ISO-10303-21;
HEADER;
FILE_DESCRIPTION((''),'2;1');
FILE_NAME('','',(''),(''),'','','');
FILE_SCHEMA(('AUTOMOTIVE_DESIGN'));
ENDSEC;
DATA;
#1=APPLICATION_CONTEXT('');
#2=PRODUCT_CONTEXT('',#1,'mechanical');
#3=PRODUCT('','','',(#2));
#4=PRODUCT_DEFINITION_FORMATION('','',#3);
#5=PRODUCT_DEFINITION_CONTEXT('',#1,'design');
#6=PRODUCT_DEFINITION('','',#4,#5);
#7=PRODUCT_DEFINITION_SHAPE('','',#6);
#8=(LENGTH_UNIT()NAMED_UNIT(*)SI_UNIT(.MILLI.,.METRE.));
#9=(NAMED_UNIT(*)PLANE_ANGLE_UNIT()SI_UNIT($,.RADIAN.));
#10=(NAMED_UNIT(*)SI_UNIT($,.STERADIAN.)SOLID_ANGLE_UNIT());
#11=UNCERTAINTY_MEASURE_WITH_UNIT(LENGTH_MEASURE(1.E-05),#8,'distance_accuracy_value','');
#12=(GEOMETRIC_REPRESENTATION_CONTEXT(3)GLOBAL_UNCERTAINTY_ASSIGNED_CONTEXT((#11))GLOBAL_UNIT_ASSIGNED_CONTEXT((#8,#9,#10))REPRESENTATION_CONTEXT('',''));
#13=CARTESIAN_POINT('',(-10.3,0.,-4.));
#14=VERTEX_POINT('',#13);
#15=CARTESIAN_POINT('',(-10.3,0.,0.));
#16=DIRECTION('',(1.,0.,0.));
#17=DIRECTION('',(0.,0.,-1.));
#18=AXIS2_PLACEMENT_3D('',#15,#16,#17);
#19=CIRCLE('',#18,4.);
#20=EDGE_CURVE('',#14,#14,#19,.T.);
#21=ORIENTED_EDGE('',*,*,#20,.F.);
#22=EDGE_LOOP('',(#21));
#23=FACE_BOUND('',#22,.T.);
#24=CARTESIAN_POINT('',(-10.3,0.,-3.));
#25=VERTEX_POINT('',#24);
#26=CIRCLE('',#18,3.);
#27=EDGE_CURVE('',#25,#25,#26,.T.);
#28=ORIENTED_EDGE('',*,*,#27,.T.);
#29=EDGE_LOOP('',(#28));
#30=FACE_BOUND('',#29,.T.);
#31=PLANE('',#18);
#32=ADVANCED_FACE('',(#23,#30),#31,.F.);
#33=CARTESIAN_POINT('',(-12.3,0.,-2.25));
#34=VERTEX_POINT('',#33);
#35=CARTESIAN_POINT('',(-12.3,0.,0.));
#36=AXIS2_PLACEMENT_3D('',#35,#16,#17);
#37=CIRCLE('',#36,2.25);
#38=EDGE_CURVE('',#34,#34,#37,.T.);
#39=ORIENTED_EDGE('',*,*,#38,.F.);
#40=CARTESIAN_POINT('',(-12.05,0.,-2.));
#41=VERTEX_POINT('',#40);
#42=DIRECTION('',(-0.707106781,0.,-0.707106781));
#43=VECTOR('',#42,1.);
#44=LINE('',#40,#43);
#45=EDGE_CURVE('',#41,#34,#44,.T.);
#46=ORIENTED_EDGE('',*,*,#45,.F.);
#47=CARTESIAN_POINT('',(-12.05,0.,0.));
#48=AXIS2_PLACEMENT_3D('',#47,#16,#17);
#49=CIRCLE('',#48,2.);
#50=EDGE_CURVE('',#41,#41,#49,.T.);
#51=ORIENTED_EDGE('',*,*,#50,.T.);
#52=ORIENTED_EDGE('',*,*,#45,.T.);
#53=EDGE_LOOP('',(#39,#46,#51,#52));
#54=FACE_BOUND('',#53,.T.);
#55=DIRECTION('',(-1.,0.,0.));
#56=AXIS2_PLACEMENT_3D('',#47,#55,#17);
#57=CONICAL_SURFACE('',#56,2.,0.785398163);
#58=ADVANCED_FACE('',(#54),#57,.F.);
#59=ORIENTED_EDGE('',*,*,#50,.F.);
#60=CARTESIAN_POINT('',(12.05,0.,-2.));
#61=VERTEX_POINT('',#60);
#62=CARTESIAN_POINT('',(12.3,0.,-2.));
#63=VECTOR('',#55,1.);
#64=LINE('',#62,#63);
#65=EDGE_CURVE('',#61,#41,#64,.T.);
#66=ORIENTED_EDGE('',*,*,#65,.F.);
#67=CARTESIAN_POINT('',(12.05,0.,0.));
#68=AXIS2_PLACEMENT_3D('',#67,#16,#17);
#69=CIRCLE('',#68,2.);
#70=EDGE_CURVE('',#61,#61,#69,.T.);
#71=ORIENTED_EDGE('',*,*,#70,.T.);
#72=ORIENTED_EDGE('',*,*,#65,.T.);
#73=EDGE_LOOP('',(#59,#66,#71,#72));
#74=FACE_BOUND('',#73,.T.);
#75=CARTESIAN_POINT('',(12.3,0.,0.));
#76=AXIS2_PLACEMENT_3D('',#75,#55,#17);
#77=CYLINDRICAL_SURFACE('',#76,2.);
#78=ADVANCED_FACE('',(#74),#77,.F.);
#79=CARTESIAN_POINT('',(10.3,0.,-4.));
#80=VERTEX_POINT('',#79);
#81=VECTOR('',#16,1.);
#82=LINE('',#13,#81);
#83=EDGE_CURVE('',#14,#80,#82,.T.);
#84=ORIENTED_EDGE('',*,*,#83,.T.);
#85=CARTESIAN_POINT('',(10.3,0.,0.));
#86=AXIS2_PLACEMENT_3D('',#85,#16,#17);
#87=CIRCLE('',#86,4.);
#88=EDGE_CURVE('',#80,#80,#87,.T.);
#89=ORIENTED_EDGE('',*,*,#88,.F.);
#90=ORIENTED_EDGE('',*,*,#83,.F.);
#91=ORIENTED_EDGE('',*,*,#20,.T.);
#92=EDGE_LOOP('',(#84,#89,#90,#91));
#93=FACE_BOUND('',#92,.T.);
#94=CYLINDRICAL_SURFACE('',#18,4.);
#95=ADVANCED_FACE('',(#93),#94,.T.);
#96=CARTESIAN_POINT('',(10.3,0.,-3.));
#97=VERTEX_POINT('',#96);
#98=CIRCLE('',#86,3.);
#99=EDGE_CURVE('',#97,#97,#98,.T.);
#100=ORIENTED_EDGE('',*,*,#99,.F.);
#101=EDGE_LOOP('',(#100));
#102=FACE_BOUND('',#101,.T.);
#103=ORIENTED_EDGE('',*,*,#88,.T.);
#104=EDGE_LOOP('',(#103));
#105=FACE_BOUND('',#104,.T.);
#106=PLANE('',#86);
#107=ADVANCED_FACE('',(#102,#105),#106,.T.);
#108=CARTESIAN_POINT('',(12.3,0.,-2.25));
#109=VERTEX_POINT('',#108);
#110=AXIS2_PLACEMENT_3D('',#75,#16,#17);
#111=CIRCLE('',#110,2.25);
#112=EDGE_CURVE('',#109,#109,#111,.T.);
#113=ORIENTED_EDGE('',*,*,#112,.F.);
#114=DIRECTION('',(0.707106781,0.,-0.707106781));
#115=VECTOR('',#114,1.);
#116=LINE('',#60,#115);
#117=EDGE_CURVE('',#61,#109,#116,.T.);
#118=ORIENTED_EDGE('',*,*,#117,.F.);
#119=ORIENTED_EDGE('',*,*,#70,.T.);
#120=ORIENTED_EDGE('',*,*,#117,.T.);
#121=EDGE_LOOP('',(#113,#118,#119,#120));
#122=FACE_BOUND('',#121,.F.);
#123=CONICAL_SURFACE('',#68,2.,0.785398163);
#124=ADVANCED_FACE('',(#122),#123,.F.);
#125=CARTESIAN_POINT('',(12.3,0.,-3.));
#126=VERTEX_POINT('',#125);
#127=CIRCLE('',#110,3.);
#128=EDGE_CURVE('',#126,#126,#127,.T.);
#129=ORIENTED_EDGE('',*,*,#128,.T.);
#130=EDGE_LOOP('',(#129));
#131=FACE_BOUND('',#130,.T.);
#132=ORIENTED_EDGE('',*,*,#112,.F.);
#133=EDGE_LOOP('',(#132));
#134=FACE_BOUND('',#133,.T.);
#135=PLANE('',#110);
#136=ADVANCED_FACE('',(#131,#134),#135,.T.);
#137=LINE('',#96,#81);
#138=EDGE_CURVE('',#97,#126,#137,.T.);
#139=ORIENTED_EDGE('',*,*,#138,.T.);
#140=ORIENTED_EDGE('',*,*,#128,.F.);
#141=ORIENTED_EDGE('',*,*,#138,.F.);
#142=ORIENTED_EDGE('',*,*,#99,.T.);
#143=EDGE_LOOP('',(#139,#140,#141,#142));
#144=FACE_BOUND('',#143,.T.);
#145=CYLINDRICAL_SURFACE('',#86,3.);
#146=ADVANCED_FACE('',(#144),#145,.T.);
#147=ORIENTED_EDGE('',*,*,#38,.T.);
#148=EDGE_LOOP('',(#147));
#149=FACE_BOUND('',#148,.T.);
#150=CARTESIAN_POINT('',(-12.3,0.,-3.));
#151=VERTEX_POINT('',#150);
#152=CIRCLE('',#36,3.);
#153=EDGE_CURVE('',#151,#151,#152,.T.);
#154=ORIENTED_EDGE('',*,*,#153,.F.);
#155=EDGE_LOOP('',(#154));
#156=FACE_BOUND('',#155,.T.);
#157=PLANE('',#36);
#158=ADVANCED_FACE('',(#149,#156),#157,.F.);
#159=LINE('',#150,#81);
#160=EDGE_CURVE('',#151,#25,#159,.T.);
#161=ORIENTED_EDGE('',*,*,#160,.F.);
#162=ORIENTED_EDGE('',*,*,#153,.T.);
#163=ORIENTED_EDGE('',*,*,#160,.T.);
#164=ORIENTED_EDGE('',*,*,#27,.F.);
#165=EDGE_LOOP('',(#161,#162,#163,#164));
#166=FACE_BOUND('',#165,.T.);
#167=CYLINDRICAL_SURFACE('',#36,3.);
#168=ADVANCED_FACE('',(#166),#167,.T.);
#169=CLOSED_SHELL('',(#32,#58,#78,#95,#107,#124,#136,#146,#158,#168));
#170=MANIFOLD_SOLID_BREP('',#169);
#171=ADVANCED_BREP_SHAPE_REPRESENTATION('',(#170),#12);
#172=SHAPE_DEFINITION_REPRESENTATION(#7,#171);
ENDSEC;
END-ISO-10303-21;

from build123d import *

# Parameters (mm, degrees)
F2_SIZE2 = 0.25
F2_SIZE  = 0.25


with BuildPart() as f1:
    # F0 (on Front) → F1 (revolve)
    with BuildSketch(Plane.XZ):
        Polygon((12.3, -2), (-12.3, -2), (-12.3, -3), (-10.3, -3), (-10.3, -4), (10.3, -4), (10.3, -3), (12.3, -3), align=None)
    revolve(axis=Axis((-53.131774, 0, 0), (1, 0, 0)))

    # F2
    f2_edges = [f1.edges().sort_by_distance(p)[0] for p in [
        (12.3, 0, 2),
        (-12.3, 0, 2),
        (0, 0, -2),
    ]]
    chamfer(f2_edges, length=F2_SIZE, length2=F2_SIZE2)


solid = f1.part
